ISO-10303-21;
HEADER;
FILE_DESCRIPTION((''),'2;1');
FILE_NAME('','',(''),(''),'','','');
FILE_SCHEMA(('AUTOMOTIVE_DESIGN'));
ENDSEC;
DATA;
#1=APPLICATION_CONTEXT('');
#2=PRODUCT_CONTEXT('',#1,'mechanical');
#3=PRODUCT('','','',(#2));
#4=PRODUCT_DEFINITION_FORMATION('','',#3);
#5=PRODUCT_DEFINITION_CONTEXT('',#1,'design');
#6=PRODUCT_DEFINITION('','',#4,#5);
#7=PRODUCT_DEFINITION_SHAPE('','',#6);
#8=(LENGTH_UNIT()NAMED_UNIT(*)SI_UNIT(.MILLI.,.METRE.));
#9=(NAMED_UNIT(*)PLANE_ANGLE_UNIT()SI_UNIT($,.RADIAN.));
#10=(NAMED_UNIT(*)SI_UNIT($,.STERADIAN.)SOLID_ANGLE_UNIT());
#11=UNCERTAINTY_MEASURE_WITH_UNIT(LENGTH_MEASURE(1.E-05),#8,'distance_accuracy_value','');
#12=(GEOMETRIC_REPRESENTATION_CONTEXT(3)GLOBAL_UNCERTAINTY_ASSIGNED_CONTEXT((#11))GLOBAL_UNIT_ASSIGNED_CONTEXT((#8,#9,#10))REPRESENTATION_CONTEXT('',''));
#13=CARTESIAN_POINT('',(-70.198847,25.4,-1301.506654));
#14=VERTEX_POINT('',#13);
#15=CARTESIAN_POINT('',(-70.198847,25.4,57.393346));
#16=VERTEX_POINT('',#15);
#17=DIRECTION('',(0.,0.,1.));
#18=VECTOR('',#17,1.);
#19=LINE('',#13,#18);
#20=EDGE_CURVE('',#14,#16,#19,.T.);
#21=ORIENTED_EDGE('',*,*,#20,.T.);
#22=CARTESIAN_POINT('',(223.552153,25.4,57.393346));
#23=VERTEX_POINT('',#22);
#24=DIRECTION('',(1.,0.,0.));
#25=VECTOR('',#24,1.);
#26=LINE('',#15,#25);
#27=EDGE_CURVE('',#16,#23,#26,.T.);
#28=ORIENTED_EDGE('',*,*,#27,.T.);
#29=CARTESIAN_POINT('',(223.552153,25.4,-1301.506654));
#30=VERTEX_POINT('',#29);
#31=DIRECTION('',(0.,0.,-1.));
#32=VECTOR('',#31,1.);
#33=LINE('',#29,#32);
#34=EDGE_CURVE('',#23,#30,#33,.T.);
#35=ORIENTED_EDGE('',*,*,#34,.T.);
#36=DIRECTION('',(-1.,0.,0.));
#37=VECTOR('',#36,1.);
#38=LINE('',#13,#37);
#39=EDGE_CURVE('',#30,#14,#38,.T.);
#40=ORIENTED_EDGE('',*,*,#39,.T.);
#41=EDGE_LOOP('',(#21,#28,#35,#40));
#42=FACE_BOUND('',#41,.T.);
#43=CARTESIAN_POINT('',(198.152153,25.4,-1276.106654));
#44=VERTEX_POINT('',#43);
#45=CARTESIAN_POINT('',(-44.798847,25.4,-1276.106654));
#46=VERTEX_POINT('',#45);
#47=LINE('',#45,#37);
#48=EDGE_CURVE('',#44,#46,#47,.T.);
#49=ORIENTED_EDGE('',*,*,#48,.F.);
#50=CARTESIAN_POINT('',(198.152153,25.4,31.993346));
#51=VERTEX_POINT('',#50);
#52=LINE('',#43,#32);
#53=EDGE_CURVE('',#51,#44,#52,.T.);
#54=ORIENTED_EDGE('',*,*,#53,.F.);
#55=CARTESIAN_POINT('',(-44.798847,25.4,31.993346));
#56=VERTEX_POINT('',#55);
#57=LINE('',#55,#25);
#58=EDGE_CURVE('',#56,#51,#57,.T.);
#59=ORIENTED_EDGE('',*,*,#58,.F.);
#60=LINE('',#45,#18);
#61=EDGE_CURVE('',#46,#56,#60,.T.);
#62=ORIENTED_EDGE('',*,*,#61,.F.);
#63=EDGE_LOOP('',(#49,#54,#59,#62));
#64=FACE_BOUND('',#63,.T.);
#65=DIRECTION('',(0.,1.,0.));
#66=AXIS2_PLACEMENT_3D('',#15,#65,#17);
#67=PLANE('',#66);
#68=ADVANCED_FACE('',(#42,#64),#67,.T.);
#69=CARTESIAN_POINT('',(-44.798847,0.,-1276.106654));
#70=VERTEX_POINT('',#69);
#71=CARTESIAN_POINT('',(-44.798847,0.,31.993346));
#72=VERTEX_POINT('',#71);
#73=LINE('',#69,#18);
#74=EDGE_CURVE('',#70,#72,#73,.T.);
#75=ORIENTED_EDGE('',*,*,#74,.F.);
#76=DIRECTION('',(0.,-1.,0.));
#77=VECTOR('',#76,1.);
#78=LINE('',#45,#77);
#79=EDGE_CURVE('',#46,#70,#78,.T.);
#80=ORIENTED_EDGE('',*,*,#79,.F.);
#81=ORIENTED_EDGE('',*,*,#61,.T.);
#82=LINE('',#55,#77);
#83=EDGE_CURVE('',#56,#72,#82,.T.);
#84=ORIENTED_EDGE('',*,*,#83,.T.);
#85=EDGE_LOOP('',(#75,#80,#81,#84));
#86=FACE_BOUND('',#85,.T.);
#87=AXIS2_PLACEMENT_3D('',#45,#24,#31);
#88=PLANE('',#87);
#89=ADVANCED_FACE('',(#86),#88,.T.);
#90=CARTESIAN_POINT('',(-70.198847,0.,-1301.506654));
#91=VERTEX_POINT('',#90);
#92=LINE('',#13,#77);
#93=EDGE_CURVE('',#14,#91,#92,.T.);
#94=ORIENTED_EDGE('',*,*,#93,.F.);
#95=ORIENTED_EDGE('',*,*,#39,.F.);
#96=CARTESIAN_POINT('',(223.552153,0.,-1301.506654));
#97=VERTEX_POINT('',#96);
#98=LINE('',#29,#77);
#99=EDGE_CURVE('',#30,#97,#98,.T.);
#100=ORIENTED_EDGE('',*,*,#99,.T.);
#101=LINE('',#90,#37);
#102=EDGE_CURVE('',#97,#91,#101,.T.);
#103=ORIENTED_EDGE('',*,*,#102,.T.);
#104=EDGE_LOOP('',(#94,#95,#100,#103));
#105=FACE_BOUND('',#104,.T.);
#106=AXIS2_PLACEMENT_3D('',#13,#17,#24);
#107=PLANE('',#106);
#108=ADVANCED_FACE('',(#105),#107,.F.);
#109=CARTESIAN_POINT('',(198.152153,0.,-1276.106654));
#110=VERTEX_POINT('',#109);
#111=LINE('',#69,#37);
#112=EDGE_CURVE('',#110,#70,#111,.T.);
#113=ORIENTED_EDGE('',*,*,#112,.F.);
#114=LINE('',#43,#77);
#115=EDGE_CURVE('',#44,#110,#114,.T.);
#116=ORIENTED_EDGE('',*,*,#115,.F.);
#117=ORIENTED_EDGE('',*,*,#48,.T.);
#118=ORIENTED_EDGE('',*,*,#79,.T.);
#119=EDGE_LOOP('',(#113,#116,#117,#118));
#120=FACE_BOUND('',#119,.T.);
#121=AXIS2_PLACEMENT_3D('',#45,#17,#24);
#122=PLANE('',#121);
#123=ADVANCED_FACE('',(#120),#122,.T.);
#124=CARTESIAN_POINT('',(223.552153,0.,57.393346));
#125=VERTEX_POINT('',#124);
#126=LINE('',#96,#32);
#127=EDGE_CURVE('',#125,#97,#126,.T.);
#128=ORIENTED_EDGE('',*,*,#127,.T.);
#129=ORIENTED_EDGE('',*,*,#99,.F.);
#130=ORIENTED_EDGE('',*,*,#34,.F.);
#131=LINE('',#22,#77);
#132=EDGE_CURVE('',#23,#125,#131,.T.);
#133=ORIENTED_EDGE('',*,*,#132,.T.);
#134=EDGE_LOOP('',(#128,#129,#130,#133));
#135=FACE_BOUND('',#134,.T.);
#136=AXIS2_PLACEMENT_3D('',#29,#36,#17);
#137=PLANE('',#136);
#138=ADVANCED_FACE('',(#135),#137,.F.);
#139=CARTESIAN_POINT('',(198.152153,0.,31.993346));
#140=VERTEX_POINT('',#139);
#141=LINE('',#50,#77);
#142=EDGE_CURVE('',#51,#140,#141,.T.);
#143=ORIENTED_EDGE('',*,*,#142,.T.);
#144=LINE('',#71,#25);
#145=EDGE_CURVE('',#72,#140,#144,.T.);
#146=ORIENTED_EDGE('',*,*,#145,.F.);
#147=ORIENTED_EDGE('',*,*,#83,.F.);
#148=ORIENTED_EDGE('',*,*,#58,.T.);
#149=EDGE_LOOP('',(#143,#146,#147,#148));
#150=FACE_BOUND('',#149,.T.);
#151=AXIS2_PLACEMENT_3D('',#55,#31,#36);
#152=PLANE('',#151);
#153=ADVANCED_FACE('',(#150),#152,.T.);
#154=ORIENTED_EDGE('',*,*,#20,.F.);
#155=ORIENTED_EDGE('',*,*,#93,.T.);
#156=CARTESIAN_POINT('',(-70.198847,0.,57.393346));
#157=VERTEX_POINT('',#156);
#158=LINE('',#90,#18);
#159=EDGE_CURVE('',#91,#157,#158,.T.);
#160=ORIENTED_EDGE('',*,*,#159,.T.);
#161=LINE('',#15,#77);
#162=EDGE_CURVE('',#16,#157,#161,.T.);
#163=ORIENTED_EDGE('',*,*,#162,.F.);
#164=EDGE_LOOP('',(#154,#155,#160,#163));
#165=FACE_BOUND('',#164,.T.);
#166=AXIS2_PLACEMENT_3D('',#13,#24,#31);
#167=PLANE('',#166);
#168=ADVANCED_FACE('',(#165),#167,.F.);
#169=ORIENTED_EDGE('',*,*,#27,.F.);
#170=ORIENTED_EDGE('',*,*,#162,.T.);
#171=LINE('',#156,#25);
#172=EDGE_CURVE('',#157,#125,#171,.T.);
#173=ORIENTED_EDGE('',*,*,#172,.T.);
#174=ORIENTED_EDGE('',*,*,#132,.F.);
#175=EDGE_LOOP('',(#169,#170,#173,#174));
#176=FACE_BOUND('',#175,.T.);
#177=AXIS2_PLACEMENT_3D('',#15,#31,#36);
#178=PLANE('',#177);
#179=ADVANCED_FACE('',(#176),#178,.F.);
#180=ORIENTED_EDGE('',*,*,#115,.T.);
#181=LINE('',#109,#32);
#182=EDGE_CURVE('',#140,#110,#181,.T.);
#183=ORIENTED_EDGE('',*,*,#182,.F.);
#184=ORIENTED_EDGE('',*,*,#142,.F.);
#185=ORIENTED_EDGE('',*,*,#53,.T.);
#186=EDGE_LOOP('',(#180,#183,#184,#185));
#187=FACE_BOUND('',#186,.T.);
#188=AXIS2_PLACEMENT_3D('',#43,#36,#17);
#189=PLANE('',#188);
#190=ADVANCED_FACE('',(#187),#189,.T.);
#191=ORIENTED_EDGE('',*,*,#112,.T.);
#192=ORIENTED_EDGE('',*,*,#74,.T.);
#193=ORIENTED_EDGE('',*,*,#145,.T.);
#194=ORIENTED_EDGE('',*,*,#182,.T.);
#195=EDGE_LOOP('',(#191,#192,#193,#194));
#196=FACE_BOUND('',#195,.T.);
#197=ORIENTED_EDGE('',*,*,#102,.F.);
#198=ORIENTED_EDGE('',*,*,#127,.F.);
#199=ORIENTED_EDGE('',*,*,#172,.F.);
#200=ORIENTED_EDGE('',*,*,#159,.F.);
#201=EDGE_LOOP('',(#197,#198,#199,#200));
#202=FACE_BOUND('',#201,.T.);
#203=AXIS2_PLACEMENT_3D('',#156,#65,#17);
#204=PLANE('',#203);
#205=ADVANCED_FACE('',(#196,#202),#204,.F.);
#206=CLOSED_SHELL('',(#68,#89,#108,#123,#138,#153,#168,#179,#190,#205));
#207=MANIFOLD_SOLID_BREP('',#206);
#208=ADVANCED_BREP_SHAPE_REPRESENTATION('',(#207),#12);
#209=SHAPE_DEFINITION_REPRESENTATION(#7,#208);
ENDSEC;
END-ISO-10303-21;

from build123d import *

# Parameters (mm, degrees)
SKETCH1_W      = 293.751
SKETCH1_H      = 1358.9
SKETCH1_W_2    = 242.951
SKETCH1_H_2    = 1308.1
EXTRUDE1_DEPTH = 25.4


with BuildPart() as part:
    # Sketch1 → Extrude1 (new body)
    with BuildSketch(Plane(origin=(0, 0, 0), x_dir=(1, 0, 0), z_dir=(0, 1, 0))):
        with Locations((76.676652699, 622.056653625)):
            Rectangle(SKETCH1_W, SKETCH1_H)
        with Locations((76.676652699, 622.056653625)):
            Rectangle(SKETCH1_W_2, SKETCH1_H_2, mode=Mode.SUBTRACT)
    extrude(amount=EXTRUDE1_DEPTH)


solid = part.part
